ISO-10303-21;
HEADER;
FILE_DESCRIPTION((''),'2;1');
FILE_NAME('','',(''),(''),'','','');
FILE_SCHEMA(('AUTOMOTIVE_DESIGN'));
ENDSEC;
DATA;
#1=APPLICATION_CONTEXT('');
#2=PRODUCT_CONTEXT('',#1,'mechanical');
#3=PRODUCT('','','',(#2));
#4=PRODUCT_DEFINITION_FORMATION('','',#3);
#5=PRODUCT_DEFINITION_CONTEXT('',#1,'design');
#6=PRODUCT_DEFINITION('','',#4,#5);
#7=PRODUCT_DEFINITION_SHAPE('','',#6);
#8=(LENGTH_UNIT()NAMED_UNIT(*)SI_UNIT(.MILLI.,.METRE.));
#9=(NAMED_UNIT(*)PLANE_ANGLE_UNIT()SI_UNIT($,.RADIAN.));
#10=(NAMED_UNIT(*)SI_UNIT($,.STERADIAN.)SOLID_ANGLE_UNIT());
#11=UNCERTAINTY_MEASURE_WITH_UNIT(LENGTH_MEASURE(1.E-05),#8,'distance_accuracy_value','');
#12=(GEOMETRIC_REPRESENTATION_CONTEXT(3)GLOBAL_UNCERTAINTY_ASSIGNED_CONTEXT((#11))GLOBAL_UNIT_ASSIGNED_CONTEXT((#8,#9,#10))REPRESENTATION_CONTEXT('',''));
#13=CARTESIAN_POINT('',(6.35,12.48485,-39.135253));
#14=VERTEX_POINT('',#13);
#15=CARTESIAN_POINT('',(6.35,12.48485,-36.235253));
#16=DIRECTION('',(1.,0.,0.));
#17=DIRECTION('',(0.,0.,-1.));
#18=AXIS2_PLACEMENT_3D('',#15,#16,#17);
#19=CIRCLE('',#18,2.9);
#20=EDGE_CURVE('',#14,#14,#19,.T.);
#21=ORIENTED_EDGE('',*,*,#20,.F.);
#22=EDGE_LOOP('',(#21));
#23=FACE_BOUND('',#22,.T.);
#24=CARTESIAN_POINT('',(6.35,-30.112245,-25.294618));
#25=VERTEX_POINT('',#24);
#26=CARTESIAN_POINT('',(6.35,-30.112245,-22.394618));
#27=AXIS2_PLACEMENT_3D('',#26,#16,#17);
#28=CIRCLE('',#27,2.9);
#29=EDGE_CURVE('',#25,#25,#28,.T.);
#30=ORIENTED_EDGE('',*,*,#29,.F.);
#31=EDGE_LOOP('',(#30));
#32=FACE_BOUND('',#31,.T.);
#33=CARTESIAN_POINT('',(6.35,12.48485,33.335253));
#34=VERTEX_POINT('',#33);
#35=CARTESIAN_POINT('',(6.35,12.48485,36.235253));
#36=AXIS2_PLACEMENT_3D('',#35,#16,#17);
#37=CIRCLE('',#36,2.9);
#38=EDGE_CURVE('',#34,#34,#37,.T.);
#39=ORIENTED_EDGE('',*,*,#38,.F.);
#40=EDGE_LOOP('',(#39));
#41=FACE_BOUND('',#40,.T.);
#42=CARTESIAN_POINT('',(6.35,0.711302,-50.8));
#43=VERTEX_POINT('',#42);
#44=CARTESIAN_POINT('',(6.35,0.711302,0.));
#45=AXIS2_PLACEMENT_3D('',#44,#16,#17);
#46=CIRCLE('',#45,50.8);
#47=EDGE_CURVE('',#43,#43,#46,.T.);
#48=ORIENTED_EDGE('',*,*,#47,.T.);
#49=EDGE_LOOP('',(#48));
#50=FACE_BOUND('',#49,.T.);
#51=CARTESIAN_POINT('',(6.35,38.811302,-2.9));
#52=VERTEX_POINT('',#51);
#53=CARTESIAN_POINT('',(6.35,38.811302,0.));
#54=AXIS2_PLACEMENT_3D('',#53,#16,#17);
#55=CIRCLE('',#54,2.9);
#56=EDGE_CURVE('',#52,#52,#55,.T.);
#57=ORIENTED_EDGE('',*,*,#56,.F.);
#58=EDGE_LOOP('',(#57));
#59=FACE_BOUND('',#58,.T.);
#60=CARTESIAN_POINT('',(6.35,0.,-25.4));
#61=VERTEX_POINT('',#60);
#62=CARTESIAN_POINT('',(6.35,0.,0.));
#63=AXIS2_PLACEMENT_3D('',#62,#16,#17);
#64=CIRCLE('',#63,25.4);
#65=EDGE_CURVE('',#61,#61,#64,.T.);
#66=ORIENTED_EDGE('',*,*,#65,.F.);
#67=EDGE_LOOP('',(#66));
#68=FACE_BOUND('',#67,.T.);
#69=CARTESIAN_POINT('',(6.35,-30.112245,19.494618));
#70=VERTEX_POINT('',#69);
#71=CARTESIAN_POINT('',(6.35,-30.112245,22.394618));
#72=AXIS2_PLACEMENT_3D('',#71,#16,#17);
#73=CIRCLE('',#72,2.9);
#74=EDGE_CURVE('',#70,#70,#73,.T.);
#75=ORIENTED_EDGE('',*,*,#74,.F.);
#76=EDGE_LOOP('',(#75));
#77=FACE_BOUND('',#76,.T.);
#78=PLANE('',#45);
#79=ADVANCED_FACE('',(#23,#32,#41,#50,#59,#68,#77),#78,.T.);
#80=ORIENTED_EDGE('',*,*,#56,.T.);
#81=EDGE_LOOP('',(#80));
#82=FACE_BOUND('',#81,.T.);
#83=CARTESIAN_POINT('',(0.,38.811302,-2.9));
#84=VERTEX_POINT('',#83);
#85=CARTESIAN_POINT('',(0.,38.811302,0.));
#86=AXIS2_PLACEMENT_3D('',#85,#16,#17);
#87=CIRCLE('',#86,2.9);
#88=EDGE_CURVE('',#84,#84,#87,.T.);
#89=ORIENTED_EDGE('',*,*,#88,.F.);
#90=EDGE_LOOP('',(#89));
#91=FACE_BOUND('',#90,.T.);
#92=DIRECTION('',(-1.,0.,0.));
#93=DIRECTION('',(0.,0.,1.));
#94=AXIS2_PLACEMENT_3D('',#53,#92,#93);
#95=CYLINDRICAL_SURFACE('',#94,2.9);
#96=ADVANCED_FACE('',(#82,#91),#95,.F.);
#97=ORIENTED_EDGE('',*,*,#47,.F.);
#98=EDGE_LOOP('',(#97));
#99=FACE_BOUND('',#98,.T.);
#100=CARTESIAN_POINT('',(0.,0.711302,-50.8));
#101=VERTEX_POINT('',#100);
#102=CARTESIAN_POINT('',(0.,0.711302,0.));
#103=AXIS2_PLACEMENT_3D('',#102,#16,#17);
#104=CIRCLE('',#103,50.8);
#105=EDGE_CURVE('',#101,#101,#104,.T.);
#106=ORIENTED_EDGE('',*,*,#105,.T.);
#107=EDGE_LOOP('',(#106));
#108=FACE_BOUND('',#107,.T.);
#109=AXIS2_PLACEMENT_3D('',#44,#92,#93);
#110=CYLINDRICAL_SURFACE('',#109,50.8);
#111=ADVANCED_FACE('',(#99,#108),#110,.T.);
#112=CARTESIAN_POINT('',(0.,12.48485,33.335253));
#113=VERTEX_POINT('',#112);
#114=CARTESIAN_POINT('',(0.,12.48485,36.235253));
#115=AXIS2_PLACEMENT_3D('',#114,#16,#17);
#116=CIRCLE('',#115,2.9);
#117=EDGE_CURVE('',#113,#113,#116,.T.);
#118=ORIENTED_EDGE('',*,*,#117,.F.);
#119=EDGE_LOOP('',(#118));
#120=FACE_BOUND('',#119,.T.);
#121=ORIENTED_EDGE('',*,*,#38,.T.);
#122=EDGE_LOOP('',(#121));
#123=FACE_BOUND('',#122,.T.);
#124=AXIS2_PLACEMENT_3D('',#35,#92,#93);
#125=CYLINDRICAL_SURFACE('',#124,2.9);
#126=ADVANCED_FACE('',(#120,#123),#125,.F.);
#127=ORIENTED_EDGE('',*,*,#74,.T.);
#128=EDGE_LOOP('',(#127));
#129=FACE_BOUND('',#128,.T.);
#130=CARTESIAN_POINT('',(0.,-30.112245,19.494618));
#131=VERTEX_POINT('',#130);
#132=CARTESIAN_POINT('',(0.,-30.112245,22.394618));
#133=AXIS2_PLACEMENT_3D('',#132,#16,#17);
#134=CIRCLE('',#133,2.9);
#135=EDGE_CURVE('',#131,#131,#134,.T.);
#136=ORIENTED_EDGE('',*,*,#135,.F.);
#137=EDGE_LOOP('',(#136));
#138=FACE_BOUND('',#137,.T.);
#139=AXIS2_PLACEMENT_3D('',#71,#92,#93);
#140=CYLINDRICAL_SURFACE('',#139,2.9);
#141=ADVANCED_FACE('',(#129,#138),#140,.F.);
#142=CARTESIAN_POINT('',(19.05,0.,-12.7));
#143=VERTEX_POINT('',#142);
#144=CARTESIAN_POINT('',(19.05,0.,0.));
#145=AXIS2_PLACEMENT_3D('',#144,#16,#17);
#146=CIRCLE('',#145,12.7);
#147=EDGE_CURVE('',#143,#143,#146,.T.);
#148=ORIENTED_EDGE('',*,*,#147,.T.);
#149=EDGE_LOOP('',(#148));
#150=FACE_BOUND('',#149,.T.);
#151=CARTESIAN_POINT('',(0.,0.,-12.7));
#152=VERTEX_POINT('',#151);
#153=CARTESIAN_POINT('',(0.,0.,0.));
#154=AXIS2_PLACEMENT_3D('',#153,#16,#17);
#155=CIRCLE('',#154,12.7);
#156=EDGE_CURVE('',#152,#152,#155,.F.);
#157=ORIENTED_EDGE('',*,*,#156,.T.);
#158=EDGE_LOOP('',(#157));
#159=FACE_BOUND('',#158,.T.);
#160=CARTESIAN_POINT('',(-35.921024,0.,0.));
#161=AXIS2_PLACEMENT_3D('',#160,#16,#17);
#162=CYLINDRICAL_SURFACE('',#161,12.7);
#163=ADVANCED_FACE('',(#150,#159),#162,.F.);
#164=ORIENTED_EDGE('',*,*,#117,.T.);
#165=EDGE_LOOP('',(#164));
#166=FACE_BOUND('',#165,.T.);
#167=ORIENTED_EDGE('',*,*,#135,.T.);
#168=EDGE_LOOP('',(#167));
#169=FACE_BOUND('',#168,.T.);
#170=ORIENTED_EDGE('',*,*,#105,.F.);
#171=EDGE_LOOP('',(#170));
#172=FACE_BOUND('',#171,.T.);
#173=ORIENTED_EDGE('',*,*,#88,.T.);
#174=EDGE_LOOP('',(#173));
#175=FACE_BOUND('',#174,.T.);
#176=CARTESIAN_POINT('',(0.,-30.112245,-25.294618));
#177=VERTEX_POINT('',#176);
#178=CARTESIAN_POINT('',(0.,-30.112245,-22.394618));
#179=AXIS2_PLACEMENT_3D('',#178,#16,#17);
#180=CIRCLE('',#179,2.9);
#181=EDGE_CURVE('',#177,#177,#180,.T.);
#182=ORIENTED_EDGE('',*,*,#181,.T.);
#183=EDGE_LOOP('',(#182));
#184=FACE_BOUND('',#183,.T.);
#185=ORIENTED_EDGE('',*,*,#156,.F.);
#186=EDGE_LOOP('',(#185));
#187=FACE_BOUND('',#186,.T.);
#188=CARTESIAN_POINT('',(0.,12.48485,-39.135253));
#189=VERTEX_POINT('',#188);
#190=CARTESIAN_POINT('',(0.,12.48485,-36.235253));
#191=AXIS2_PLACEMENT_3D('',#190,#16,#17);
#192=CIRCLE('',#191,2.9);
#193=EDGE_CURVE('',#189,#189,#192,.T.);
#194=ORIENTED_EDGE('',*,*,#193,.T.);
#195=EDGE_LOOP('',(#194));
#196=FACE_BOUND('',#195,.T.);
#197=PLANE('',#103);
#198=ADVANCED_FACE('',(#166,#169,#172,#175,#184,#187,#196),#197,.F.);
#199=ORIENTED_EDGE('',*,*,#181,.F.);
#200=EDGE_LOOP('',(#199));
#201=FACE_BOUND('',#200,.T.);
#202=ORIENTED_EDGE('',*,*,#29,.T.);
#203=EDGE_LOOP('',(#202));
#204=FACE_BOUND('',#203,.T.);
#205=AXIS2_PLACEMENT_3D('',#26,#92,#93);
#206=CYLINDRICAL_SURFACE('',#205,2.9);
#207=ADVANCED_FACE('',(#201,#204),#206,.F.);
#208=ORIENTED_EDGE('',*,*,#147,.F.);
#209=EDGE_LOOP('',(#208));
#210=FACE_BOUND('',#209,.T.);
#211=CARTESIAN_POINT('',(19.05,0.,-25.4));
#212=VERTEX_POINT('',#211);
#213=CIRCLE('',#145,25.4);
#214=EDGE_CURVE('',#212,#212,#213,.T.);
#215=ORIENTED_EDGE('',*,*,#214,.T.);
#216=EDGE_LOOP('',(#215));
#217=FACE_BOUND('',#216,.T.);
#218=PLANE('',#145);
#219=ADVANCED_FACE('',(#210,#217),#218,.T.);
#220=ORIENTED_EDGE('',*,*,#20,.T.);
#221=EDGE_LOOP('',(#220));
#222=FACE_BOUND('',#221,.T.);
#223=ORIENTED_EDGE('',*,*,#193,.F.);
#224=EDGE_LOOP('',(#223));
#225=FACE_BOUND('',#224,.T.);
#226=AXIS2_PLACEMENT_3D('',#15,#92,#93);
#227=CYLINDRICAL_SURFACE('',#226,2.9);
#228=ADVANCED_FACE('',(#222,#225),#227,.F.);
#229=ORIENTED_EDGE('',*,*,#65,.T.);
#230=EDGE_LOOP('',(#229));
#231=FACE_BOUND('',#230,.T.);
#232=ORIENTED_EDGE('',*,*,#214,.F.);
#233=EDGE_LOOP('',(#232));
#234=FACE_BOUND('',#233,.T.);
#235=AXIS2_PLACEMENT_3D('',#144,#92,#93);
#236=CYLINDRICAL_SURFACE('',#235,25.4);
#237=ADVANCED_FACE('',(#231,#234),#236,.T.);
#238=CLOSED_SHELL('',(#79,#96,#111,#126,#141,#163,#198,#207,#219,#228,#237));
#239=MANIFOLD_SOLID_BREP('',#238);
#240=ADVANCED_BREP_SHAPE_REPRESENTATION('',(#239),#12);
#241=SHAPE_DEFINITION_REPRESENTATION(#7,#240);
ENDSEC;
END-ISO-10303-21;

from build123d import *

# Parameters (mm, degrees)
SKETCH1_R           = 50.8
SKETCH1_R_2         = 2.9
BOSS_EXTRUDE1_DEPTH = 6.35
SKETCH2_R           = 25.4
BOSS_EXTRUDE2_DEPTH = 12.7
SKETCH3_R           = 12.7
CUT_EXTRUDE1_DEPTH  = 19.05


with BuildPart() as part:
    # Sketch1 → Boss-Extrude1 (new body)
    with BuildSketch(Plane(origin=(0, 0, 0), x_dir=(0, 0, -1), z_dir=(1, 0, 0))):
        with Locations((0, 0.711302035)):
            Circle(SKETCH1_R)
        with Locations((-36.235253271, 12.484849521)):
            Circle(SKETCH1_R_2, mode=Mode.SUBTRACT)
        with Locations((-22.394618112, -30.112245451)):
            Circle(SKETCH1_R_2, mode=Mode.SUBTRACT)
        with Locations((22.394618112, -30.112245451)):
            Circle(SKETCH1_R_2, mode=Mode.SUBTRACT)
        with Locations((36.235253271, 12.484849521)):
            Circle(SKETCH1_R_2, mode=Mode.SUBTRACT)
        with Locations((0, 38.811302035)):
            Circle(SKETCH1_R_2, mode=Mode.SUBTRACT)
    extrude(amount=BOSS_EXTRUDE1_DEPTH)

    # Sketch2 → Boss-Extrude2 (add)
    with BuildSketch(Plane(origin=(6.35, 0, 0), x_dir=(0, 0, -1), z_dir=(1, 0, 0))):
        Circle(SKETCH2_R)
    extrude(amount=BOSS_EXTRUDE2_DEPTH)

    # Sketch3 → Cut-Extrude1 (cut)
    with BuildSketch(Plane(origin=(19.05, 0, 0), x_dir=(0, 0, -1), z_dir=(1, 0, 0))):
        Circle(SKETCH3_R)
    extrude(amount=-CUT_EXTRUDE1_DEPTH, mode=Mode.SUBTRACT)


solid = part.part
